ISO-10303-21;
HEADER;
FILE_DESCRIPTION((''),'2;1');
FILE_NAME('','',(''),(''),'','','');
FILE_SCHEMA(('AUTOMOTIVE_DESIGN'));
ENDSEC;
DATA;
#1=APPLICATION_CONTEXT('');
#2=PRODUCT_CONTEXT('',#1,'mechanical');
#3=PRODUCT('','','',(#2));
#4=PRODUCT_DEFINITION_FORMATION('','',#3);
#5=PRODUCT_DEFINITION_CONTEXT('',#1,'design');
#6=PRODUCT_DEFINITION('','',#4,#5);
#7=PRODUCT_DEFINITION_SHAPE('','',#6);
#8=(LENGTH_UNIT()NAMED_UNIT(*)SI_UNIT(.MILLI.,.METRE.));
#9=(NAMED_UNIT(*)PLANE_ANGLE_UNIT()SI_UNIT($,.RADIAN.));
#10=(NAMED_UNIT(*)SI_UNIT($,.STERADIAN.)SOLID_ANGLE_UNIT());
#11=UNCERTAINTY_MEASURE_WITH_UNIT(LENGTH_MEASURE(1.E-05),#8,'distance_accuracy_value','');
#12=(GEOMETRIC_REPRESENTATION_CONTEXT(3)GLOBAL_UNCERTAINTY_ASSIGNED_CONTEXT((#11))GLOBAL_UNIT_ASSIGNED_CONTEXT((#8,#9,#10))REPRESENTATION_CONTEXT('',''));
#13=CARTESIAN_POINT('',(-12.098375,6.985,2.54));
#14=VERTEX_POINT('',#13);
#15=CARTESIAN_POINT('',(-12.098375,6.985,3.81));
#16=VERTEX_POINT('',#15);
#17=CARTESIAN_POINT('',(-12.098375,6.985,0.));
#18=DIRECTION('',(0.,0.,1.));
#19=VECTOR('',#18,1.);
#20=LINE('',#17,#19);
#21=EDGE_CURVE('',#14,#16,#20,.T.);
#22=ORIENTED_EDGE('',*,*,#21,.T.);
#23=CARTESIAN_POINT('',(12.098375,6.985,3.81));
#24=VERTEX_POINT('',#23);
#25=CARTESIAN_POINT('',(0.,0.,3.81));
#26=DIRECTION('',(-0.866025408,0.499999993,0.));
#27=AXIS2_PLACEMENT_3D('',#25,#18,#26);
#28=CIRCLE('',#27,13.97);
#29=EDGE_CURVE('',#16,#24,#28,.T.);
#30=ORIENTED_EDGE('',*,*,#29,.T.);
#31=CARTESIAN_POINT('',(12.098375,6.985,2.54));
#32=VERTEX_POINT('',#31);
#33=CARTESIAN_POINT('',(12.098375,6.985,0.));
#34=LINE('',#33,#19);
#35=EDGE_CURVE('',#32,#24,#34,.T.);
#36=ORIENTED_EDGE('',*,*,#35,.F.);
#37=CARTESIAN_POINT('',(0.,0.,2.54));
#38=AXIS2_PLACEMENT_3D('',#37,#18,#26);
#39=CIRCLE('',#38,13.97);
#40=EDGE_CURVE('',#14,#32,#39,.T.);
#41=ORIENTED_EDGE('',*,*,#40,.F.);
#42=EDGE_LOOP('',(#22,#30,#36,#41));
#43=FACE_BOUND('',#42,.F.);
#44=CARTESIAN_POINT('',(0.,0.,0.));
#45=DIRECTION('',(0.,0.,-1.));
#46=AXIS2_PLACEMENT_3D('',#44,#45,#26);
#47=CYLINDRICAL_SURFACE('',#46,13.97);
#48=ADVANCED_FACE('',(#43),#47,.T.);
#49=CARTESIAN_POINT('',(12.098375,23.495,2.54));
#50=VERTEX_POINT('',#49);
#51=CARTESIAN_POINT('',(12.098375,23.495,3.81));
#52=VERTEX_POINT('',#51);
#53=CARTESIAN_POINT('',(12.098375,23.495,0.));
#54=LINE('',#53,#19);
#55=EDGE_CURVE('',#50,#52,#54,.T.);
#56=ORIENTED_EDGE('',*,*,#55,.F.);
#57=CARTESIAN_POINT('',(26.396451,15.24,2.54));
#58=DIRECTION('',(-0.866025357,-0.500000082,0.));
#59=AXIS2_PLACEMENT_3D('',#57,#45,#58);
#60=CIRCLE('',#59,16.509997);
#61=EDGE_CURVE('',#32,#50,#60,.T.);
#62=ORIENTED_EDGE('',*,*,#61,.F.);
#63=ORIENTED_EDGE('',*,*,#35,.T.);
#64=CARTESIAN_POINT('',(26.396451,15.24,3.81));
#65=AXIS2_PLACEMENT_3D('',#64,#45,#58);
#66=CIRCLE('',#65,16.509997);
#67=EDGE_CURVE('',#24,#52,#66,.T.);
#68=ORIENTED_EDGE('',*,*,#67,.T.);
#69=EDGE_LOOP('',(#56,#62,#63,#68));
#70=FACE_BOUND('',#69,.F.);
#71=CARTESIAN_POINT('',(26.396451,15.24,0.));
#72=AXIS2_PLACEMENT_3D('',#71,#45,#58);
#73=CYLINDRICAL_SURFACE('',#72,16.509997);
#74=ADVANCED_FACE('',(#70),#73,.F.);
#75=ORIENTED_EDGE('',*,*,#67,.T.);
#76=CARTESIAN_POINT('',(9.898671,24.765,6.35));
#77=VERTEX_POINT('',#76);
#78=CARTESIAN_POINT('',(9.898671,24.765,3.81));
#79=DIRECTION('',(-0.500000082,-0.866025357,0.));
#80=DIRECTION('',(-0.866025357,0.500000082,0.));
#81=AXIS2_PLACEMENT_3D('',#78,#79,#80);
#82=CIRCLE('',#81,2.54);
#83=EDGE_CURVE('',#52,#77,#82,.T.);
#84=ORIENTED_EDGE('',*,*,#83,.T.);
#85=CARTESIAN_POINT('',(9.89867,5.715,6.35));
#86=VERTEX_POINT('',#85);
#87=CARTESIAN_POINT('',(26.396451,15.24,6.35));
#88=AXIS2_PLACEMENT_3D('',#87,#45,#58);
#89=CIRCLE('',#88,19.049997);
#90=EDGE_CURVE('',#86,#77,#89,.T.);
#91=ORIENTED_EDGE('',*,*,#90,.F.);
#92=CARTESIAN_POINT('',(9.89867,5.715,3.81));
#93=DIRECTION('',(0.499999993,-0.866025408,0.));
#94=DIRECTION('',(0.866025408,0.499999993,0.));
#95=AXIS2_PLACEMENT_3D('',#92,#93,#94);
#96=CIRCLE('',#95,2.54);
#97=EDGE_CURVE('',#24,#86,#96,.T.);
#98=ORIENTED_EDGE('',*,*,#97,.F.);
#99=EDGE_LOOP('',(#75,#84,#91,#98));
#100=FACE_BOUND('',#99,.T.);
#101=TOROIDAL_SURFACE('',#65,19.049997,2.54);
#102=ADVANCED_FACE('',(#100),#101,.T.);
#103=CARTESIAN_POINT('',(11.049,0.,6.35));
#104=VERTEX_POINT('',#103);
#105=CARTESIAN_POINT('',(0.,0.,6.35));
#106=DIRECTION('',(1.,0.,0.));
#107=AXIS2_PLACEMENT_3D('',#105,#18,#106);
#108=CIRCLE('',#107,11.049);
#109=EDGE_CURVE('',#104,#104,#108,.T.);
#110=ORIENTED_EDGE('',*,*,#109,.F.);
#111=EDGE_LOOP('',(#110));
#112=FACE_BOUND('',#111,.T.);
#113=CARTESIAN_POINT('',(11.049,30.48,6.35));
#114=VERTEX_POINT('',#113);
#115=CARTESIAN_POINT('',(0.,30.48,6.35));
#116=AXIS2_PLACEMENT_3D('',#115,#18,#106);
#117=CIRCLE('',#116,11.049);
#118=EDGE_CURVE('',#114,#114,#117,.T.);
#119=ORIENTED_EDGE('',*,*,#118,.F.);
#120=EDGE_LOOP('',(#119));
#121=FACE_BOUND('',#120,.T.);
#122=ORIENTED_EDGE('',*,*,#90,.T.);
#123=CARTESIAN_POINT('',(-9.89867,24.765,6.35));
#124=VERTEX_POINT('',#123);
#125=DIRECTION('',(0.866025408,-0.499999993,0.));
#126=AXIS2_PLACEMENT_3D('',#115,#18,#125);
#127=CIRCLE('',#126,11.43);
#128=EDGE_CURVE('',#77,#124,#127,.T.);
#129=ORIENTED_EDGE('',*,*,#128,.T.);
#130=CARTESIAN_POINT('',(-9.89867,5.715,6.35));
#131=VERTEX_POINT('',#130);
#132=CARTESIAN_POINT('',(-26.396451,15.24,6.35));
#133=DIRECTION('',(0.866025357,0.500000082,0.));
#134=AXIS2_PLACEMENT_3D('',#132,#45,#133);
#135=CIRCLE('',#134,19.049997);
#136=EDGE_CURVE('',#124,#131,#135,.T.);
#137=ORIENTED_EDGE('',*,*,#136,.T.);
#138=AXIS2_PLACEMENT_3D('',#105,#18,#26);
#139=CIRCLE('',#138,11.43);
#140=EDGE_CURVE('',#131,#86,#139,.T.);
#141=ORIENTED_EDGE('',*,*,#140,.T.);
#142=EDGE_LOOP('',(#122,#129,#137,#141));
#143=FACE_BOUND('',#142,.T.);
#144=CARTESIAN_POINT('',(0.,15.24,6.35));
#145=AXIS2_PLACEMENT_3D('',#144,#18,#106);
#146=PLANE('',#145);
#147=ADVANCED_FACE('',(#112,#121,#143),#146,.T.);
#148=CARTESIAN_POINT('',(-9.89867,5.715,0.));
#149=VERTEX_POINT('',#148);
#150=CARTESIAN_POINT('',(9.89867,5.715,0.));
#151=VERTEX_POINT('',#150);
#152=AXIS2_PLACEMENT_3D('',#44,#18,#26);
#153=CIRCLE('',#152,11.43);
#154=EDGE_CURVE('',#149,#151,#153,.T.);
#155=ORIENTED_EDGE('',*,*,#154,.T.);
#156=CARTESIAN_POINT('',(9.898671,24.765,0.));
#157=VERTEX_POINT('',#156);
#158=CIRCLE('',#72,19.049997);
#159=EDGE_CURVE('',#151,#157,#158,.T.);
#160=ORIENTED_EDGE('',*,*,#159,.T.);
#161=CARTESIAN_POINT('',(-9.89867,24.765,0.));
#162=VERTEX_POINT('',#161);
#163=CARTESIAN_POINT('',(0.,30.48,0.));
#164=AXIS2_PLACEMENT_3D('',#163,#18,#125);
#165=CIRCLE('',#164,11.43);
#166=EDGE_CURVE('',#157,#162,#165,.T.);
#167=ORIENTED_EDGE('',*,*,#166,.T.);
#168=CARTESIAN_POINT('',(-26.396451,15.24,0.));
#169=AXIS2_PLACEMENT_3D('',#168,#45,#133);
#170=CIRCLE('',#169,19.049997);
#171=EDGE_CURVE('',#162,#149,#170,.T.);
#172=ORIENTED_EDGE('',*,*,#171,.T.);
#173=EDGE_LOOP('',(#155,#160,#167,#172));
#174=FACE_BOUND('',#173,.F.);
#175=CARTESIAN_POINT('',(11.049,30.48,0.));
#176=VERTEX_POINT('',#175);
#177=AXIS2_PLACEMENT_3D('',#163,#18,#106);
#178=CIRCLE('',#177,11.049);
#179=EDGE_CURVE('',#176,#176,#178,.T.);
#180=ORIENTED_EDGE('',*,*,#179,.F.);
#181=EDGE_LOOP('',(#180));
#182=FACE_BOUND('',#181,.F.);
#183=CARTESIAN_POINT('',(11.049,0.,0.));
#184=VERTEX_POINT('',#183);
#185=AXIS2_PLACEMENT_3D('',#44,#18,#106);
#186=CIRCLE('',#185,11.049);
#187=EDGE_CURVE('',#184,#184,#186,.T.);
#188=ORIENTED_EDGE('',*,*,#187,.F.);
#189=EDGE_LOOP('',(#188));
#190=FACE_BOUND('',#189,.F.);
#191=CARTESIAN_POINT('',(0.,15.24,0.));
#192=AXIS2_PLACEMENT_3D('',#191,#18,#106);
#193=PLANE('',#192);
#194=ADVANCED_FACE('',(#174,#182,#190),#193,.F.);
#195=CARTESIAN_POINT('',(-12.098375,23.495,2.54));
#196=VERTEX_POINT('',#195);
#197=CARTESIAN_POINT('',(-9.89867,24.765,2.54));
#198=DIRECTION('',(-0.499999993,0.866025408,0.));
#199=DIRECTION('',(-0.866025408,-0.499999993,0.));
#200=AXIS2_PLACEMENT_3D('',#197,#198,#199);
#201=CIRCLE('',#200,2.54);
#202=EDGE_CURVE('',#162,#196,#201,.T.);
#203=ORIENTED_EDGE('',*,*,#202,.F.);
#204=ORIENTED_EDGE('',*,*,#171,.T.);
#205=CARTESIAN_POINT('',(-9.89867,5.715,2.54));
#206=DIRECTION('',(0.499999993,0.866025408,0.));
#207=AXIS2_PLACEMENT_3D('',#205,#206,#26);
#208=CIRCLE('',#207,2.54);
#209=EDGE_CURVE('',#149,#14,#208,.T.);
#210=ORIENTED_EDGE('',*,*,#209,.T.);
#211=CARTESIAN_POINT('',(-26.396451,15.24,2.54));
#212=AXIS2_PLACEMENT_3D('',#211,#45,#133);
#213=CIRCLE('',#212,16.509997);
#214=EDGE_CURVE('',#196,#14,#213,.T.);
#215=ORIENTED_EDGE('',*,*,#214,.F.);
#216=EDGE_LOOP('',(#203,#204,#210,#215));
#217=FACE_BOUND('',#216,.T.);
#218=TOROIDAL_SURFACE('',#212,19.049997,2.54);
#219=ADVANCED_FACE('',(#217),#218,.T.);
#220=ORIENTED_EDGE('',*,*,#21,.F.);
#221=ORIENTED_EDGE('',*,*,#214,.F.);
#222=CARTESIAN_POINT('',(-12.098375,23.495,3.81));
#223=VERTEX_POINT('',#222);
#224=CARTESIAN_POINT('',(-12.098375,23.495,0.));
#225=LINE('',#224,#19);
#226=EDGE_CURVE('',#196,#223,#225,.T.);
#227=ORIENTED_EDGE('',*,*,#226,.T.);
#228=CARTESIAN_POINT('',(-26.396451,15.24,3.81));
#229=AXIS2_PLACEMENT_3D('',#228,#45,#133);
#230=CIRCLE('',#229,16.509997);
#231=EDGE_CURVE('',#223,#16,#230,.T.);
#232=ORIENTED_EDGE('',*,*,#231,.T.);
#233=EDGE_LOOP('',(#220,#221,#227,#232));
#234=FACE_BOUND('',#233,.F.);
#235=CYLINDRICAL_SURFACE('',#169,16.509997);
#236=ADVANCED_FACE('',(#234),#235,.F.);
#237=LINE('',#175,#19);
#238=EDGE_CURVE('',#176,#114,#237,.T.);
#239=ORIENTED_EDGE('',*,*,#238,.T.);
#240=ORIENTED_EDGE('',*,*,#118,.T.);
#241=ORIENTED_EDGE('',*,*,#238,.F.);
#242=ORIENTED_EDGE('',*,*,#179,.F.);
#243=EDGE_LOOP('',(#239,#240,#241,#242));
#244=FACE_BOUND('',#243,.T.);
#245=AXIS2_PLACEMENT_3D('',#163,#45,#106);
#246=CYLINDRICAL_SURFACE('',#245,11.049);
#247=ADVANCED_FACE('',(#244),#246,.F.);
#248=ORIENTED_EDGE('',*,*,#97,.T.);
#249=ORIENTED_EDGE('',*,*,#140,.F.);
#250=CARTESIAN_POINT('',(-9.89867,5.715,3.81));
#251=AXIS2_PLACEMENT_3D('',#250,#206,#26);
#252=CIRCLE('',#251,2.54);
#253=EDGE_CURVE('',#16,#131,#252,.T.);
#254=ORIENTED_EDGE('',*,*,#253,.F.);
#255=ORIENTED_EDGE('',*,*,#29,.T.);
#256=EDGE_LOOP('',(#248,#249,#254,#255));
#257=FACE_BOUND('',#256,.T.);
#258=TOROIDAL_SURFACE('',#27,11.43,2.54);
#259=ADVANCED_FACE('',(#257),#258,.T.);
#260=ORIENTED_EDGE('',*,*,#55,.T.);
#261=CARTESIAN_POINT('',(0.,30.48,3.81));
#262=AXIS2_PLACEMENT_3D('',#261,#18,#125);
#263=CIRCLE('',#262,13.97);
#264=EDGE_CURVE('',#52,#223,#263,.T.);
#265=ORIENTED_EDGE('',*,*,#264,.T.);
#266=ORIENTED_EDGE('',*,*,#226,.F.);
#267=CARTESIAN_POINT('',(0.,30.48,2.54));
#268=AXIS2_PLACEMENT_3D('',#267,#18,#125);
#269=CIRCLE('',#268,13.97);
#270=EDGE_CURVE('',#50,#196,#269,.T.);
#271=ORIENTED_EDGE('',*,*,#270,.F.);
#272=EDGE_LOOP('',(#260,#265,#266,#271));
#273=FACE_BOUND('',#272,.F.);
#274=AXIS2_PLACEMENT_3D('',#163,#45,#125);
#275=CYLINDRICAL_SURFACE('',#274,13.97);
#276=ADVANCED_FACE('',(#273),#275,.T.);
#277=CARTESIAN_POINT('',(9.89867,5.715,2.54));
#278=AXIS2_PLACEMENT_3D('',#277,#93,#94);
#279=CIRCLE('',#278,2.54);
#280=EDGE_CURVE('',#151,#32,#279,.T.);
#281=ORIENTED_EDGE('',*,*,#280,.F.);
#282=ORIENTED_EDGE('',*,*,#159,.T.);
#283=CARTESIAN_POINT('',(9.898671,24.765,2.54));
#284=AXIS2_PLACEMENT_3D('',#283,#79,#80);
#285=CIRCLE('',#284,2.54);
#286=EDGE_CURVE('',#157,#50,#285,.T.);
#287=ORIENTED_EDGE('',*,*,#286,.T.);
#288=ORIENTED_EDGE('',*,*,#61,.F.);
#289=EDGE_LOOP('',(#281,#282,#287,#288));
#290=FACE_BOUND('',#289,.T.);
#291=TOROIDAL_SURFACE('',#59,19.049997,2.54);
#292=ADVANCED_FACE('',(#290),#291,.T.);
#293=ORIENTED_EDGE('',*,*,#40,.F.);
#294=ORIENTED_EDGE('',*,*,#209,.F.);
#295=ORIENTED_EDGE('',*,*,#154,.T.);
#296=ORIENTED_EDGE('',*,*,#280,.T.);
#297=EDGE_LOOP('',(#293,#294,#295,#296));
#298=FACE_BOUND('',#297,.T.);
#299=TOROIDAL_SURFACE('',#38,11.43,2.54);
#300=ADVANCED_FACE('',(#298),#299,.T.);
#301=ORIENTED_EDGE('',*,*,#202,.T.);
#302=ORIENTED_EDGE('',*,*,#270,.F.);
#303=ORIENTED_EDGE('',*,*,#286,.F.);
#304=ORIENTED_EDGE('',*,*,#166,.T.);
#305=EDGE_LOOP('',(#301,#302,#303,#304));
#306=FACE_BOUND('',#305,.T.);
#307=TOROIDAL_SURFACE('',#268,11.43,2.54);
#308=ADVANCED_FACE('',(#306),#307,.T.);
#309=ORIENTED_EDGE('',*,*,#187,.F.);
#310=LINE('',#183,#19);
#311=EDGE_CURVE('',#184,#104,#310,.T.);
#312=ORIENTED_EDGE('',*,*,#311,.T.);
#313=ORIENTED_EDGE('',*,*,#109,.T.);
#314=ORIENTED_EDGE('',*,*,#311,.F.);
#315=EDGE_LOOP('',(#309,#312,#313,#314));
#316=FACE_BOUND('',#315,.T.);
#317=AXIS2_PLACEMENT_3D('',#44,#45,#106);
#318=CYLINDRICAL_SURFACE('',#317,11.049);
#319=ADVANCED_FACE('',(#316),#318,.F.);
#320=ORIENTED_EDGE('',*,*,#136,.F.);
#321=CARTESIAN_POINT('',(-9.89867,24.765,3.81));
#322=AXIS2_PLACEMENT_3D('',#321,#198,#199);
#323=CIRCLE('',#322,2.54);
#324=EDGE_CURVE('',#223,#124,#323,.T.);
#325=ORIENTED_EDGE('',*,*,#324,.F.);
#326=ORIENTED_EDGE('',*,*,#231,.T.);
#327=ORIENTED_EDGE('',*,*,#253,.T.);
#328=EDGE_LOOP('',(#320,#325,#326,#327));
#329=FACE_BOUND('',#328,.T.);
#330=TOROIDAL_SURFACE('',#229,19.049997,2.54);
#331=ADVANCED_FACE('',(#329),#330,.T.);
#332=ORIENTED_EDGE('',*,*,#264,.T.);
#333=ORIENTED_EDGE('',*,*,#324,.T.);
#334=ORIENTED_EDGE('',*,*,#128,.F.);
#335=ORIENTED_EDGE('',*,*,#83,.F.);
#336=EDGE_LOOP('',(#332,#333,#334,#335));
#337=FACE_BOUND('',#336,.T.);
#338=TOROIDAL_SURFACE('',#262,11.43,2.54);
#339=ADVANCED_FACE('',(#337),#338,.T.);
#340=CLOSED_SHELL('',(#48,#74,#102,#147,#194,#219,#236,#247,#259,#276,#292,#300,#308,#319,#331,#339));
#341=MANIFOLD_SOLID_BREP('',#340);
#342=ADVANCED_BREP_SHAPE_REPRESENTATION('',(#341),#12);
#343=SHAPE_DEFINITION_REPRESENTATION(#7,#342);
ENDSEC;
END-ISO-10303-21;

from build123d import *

# Parameters (mm, degrees)
F0_R     = 11.049
F1_DEPTH = 6.35
F2_R     = 2.54
F3_R     = 2.54


with BuildPart() as f1:
    # F0 (on Top) → F1 (new body)
    with BuildSketch(Plane.XY):
        with BuildLine():
            ThreePointArc((-12.098375, 23.495), (-9.886454, 15.24), (-12.098375, 6.985))
            ThreePointArc((-12.098375, 6.985), (0, -13.97), (12.098375, 6.985))
            ThreePointArc((12.098375, 6.985), (9.886454, 15.24), (12.098375, 23.495))
            ThreePointArc((12.098375, 23.495), (0, 44.45), (-12.098375, 23.495))
        make_face()
        Circle(F0_R, mode=Mode.SUBTRACT)
        with Locations((0, 30.48)):
            Circle(F0_R, mode=Mode.SUBTRACT)
    extrude(amount=F1_DEPTH)

    # F2
    f2_edges = [f1.edges().sort_by_distance(p)[0] for p in [
        (0, -13.97, 6.35),
    ]]
    fillet(f2_edges, radius=F2_R)

    # F3
    f3_edges = [f1.edges().sort_by_distance(p)[0] for p in [
        (0, -13.97, 0),
    ]]
    fillet(f3_edges, radius=F3_R)


solid = f1.part
